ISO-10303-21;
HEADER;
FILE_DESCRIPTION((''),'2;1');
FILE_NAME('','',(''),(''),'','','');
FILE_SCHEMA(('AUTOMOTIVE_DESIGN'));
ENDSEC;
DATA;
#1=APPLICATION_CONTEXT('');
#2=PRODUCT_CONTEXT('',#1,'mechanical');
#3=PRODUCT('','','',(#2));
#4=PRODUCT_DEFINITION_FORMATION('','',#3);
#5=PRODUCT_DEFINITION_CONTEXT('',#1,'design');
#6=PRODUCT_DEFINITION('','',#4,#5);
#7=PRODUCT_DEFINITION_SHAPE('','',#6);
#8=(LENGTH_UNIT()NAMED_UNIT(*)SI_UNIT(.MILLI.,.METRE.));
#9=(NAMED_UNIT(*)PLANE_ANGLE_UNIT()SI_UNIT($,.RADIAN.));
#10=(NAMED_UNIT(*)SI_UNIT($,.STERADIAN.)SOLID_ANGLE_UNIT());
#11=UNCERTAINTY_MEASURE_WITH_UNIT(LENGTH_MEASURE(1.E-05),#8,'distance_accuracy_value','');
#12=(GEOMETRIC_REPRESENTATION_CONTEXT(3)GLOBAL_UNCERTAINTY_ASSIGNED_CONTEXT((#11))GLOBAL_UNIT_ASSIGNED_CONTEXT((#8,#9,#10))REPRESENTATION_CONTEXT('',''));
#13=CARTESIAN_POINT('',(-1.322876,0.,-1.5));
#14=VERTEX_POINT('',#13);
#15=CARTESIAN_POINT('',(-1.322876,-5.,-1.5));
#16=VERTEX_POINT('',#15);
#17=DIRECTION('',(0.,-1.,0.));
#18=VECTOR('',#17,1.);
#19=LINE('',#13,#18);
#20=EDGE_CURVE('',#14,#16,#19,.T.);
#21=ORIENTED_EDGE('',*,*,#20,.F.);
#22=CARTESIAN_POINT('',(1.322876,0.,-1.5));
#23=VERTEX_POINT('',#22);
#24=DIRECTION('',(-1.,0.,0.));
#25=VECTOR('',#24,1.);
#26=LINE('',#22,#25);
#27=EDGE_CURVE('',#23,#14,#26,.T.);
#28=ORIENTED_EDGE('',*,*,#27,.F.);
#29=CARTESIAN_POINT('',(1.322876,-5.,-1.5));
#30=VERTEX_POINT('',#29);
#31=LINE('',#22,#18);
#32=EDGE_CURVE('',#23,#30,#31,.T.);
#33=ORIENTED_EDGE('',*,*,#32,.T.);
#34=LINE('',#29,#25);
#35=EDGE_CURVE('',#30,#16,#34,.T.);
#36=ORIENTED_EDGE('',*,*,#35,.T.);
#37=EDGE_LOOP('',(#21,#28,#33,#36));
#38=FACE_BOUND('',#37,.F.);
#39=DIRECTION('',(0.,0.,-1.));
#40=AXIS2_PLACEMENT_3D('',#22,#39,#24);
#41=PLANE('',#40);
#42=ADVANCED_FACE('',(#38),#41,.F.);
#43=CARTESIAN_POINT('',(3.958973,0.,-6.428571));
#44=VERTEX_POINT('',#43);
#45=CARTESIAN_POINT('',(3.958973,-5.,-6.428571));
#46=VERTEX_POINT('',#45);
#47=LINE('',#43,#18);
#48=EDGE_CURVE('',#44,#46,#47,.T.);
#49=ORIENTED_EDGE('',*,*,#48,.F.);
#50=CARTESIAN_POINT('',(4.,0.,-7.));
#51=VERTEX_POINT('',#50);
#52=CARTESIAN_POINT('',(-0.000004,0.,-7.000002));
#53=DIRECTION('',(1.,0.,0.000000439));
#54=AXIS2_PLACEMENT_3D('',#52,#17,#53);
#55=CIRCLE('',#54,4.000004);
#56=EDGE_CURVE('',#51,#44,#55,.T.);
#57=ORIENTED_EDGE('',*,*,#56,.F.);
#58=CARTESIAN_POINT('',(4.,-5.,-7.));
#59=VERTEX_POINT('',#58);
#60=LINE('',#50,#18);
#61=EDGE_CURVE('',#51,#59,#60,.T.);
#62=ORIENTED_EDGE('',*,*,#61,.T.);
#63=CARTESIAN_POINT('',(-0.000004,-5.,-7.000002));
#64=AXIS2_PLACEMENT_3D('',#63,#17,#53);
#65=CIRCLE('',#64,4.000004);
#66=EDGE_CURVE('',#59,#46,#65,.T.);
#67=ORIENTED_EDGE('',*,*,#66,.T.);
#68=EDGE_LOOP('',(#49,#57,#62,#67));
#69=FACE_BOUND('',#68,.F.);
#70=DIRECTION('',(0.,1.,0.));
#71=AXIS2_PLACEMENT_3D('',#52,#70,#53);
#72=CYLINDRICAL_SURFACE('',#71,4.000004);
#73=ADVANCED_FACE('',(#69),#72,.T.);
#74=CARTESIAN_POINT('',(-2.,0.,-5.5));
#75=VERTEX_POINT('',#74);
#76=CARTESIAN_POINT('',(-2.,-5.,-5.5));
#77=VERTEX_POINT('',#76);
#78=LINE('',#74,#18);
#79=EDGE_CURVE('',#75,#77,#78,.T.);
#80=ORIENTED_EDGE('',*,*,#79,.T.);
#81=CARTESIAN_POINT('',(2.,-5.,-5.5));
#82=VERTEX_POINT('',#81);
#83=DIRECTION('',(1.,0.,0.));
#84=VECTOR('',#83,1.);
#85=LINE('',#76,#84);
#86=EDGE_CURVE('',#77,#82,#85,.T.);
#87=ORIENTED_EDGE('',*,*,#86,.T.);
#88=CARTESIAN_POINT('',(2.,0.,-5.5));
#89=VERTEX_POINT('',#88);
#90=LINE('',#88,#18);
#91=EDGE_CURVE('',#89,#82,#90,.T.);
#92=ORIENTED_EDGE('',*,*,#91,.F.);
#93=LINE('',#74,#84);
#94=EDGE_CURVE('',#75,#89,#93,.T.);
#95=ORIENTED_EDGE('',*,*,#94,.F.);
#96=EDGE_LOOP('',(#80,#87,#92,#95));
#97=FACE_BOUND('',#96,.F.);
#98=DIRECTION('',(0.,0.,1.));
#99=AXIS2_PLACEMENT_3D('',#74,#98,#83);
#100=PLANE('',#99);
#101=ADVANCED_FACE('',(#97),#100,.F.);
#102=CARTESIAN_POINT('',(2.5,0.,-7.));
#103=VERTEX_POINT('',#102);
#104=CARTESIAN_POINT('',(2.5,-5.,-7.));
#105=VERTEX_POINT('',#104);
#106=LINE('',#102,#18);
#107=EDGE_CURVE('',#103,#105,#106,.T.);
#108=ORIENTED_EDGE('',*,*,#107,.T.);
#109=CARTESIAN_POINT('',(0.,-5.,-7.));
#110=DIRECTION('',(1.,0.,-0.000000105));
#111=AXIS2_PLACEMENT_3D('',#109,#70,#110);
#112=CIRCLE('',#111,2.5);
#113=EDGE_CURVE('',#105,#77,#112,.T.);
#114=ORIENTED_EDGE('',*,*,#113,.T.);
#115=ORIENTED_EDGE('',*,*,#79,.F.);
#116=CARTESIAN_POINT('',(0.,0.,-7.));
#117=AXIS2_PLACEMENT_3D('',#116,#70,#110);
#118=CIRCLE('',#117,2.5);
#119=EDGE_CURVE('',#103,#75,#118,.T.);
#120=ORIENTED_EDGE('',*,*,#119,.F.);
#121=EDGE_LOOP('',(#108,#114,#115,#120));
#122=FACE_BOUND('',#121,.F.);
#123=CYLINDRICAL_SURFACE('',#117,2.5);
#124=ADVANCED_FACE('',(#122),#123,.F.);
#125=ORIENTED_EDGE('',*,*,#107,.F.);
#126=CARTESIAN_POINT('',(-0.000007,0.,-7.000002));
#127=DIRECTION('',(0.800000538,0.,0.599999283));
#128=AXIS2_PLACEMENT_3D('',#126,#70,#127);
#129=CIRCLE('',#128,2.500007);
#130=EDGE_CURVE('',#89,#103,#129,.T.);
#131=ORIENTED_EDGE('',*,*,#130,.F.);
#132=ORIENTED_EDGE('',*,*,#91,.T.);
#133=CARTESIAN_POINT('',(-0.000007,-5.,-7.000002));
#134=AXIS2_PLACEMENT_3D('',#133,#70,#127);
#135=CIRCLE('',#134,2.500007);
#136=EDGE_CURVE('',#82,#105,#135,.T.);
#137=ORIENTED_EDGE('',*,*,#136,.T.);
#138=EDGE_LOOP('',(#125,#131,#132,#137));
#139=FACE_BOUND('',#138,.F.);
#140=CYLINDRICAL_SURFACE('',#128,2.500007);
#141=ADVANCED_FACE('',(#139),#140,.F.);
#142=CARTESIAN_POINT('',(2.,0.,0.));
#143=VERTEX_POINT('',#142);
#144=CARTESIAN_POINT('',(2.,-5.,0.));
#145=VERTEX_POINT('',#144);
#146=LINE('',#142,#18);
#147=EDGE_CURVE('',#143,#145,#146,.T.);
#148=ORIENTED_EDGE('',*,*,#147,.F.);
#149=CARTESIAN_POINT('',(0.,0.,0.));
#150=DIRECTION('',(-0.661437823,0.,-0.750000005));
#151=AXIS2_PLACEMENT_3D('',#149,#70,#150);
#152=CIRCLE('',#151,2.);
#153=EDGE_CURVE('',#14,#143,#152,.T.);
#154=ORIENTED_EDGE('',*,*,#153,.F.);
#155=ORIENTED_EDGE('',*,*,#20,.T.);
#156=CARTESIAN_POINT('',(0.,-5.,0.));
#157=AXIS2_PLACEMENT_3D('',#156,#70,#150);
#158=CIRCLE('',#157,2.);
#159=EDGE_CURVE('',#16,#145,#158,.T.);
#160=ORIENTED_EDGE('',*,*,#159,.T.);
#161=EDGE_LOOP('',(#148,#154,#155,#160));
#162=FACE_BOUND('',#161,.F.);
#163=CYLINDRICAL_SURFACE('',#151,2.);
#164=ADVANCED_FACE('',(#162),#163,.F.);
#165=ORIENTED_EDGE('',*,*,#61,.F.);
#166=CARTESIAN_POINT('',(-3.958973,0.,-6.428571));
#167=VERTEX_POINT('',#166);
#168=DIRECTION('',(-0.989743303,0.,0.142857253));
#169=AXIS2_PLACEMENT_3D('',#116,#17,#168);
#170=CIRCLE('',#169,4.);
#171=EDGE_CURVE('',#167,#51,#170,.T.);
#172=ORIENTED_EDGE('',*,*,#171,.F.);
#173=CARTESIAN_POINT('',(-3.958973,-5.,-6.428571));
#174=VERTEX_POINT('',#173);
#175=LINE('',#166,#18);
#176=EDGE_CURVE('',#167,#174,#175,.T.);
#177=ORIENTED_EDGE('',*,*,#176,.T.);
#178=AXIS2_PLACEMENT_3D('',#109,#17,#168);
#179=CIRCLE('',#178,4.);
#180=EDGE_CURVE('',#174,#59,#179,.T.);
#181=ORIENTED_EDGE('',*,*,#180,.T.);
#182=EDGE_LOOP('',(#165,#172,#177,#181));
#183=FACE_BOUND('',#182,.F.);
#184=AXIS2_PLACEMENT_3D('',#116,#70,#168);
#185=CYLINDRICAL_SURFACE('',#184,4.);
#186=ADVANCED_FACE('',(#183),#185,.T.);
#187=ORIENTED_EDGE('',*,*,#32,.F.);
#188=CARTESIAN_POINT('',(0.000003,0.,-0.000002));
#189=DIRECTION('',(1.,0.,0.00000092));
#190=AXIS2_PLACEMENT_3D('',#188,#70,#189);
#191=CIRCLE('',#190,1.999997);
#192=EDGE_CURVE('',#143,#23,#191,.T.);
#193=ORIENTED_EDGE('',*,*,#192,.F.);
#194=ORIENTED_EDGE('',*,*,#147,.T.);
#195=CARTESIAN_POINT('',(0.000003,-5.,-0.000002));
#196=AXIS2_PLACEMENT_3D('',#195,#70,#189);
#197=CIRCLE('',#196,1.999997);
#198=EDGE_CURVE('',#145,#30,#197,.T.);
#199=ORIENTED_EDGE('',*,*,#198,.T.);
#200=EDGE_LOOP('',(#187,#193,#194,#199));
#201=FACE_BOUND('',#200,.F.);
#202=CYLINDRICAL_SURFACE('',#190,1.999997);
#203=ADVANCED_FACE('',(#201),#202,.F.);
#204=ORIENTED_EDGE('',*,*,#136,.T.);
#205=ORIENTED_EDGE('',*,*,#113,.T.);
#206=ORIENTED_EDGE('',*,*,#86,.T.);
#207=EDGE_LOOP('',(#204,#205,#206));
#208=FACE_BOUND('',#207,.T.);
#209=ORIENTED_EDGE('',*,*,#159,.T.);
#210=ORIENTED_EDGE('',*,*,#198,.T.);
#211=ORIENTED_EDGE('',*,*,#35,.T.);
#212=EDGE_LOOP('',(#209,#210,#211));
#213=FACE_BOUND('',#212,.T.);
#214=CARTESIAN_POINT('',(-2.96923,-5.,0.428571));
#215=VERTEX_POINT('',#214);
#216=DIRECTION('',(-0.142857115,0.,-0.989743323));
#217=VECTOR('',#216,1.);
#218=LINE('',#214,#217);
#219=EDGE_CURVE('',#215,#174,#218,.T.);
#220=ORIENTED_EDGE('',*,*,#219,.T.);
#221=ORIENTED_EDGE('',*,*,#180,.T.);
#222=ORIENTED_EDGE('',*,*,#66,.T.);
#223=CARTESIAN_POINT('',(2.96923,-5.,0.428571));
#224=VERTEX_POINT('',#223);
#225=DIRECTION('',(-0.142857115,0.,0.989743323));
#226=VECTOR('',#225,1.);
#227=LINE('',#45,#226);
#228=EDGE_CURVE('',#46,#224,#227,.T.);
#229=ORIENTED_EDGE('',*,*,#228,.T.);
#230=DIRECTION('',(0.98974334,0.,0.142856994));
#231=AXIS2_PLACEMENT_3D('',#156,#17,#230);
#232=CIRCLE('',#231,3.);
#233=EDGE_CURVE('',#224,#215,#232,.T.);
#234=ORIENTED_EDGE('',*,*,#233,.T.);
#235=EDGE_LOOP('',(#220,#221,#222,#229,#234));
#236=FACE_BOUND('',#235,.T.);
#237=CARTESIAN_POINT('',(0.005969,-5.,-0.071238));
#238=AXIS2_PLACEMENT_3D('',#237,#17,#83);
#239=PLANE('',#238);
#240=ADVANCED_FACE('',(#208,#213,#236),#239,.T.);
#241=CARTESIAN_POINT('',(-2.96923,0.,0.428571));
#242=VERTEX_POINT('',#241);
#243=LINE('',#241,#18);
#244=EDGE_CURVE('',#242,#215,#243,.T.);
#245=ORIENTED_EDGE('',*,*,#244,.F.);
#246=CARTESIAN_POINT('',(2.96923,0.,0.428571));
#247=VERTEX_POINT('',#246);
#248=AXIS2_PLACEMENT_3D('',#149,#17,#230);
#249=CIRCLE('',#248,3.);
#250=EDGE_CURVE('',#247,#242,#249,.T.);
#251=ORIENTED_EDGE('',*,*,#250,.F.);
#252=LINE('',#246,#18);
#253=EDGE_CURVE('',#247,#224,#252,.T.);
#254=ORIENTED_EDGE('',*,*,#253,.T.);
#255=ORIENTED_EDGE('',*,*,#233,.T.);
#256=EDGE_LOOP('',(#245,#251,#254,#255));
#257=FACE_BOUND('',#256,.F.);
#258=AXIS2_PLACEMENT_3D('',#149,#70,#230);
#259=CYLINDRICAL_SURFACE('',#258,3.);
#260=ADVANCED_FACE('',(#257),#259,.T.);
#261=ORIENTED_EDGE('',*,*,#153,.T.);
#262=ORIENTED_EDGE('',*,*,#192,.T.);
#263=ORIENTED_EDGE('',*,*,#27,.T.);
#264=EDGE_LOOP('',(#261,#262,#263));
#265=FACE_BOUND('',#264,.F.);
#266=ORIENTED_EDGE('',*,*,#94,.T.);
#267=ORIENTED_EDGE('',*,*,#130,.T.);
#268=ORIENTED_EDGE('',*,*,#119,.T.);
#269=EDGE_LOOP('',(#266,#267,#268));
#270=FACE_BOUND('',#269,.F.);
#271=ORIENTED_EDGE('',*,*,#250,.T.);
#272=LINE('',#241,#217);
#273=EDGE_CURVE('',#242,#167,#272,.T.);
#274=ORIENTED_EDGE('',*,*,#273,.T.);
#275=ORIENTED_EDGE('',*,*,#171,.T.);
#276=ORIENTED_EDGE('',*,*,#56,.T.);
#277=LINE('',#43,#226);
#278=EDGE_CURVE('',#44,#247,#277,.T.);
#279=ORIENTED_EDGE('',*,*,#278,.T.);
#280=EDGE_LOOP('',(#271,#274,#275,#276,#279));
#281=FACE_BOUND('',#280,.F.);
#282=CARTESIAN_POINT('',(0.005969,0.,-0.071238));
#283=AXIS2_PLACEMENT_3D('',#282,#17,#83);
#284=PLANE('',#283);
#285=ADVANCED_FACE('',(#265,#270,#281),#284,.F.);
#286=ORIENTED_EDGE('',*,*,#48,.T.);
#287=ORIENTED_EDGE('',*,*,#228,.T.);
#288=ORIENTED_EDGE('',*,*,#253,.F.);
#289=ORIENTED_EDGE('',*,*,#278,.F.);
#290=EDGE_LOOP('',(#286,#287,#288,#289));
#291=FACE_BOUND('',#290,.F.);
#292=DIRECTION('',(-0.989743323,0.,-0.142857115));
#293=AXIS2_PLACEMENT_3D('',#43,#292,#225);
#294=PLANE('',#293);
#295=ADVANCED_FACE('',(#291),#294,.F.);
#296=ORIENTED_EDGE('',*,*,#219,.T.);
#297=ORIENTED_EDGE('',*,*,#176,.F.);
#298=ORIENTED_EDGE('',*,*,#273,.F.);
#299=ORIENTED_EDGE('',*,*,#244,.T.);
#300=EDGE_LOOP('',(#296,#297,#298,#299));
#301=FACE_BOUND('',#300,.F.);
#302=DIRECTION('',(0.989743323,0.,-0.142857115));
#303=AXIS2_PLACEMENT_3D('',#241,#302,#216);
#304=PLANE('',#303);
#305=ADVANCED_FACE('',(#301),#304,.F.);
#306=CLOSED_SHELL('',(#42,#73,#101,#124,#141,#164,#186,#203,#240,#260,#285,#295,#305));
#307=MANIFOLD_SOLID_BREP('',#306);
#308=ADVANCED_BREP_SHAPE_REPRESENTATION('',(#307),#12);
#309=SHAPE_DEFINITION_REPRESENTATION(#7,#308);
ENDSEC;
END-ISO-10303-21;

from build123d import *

# Parameters (mm, degrees)
F1_DEPTH = 5


with BuildPart() as f1:
    # F0 (on Front) → F1 (new body)
    with BuildSketch(Plane.XZ):
        with BuildLine():
            ThreePointArc((0, -3), (2.12132, -2.12132), (3, 0))
            ThreePointArc((3, 0), (2.992298, 0.214837), (2.96923, 0.428571))
            ThreePointArc((2.96923, 0.428571), (0, 3), (-2.96923, 0.428571))
            ThreePointArc((-2.96923, 0.428571), (-2.267787, -1.963961), (0, -3))
        make_face()
        with BuildLine():
            ThreePointArc((-1.322876, -1.5), (-0.822876, 1.822876), (2, 0))
            ThreePointArc((2, 0), (1.822876, -0.822876), (1.322876, -1.5))
            ThreePointArc((1.322876, -1.5), (0, -2), (-1.322876, -1.5))
        make_face(mode=Mode.SUBTRACT)
        with BuildLine():
            ThreePointArc((2.96923, 0.428571), (2.992298, 0.214837), (3, 0))
            ThreePointArc((3, 0), (2.12132, -2.12132), (0, -3))
            ThreePointArc((0, -3), (2.618615, -3.976284), (3.958973, -6.428571))
            Line((3.958973, -6.428571), (2.96923, 0.428571))
        make_face()
        with BuildLine():
            ThreePointArc((-3.958973, -6.428571), (-2.618615, -3.976284), (0, -3))
            ThreePointArc((0, -3), (-2.267787, -1.963961), (-2.96923, 0.428571))
            Line((-2.96923, 0.428571), (-3.958973, -6.428571))
        make_face()
        with BuildLine():
            ThreePointArc((3.958973, -6.428571), (2.618615, -3.976284), (0, -3))
            ThreePointArc((0, -3), (-2.618615, -3.976284), (-3.958973, -6.428571))
            ThreePointArc((-3.958973, -6.428571), (-0.28645, -10.98973), (4, -7))
            ThreePointArc((4, -7), (3.98973, -6.71355), (3.958973, -6.428571))
        make_face()
        with BuildLine():
            ThreePointArc((2, -5.5), (2.371708, -6.209431), (2.5, -7))
            ThreePointArc((2.5, -7), (-0.790569, -9.371708), (-2, -5.5))
            ThreePointArc((-2, -5.5), (0, -4.5), (2, -5.5))
        make_face(mode=Mode.SUBTRACT)
        with BuildLine():
            Line((-2, -5.5), (2, -5.5))
            ThreePointArc((2, -5.5), (0, -4.5), (-2, -5.5))
        make_face()
        with BuildLine():
            Line((1.322876, -1.5), (-1.322876, -1.5))
            ThreePointArc((-1.322876, -1.5), (0, -2), (1.322876, -1.5))
        make_face()
    extrude(amount=F1_DEPTH)


solid = f1.part
